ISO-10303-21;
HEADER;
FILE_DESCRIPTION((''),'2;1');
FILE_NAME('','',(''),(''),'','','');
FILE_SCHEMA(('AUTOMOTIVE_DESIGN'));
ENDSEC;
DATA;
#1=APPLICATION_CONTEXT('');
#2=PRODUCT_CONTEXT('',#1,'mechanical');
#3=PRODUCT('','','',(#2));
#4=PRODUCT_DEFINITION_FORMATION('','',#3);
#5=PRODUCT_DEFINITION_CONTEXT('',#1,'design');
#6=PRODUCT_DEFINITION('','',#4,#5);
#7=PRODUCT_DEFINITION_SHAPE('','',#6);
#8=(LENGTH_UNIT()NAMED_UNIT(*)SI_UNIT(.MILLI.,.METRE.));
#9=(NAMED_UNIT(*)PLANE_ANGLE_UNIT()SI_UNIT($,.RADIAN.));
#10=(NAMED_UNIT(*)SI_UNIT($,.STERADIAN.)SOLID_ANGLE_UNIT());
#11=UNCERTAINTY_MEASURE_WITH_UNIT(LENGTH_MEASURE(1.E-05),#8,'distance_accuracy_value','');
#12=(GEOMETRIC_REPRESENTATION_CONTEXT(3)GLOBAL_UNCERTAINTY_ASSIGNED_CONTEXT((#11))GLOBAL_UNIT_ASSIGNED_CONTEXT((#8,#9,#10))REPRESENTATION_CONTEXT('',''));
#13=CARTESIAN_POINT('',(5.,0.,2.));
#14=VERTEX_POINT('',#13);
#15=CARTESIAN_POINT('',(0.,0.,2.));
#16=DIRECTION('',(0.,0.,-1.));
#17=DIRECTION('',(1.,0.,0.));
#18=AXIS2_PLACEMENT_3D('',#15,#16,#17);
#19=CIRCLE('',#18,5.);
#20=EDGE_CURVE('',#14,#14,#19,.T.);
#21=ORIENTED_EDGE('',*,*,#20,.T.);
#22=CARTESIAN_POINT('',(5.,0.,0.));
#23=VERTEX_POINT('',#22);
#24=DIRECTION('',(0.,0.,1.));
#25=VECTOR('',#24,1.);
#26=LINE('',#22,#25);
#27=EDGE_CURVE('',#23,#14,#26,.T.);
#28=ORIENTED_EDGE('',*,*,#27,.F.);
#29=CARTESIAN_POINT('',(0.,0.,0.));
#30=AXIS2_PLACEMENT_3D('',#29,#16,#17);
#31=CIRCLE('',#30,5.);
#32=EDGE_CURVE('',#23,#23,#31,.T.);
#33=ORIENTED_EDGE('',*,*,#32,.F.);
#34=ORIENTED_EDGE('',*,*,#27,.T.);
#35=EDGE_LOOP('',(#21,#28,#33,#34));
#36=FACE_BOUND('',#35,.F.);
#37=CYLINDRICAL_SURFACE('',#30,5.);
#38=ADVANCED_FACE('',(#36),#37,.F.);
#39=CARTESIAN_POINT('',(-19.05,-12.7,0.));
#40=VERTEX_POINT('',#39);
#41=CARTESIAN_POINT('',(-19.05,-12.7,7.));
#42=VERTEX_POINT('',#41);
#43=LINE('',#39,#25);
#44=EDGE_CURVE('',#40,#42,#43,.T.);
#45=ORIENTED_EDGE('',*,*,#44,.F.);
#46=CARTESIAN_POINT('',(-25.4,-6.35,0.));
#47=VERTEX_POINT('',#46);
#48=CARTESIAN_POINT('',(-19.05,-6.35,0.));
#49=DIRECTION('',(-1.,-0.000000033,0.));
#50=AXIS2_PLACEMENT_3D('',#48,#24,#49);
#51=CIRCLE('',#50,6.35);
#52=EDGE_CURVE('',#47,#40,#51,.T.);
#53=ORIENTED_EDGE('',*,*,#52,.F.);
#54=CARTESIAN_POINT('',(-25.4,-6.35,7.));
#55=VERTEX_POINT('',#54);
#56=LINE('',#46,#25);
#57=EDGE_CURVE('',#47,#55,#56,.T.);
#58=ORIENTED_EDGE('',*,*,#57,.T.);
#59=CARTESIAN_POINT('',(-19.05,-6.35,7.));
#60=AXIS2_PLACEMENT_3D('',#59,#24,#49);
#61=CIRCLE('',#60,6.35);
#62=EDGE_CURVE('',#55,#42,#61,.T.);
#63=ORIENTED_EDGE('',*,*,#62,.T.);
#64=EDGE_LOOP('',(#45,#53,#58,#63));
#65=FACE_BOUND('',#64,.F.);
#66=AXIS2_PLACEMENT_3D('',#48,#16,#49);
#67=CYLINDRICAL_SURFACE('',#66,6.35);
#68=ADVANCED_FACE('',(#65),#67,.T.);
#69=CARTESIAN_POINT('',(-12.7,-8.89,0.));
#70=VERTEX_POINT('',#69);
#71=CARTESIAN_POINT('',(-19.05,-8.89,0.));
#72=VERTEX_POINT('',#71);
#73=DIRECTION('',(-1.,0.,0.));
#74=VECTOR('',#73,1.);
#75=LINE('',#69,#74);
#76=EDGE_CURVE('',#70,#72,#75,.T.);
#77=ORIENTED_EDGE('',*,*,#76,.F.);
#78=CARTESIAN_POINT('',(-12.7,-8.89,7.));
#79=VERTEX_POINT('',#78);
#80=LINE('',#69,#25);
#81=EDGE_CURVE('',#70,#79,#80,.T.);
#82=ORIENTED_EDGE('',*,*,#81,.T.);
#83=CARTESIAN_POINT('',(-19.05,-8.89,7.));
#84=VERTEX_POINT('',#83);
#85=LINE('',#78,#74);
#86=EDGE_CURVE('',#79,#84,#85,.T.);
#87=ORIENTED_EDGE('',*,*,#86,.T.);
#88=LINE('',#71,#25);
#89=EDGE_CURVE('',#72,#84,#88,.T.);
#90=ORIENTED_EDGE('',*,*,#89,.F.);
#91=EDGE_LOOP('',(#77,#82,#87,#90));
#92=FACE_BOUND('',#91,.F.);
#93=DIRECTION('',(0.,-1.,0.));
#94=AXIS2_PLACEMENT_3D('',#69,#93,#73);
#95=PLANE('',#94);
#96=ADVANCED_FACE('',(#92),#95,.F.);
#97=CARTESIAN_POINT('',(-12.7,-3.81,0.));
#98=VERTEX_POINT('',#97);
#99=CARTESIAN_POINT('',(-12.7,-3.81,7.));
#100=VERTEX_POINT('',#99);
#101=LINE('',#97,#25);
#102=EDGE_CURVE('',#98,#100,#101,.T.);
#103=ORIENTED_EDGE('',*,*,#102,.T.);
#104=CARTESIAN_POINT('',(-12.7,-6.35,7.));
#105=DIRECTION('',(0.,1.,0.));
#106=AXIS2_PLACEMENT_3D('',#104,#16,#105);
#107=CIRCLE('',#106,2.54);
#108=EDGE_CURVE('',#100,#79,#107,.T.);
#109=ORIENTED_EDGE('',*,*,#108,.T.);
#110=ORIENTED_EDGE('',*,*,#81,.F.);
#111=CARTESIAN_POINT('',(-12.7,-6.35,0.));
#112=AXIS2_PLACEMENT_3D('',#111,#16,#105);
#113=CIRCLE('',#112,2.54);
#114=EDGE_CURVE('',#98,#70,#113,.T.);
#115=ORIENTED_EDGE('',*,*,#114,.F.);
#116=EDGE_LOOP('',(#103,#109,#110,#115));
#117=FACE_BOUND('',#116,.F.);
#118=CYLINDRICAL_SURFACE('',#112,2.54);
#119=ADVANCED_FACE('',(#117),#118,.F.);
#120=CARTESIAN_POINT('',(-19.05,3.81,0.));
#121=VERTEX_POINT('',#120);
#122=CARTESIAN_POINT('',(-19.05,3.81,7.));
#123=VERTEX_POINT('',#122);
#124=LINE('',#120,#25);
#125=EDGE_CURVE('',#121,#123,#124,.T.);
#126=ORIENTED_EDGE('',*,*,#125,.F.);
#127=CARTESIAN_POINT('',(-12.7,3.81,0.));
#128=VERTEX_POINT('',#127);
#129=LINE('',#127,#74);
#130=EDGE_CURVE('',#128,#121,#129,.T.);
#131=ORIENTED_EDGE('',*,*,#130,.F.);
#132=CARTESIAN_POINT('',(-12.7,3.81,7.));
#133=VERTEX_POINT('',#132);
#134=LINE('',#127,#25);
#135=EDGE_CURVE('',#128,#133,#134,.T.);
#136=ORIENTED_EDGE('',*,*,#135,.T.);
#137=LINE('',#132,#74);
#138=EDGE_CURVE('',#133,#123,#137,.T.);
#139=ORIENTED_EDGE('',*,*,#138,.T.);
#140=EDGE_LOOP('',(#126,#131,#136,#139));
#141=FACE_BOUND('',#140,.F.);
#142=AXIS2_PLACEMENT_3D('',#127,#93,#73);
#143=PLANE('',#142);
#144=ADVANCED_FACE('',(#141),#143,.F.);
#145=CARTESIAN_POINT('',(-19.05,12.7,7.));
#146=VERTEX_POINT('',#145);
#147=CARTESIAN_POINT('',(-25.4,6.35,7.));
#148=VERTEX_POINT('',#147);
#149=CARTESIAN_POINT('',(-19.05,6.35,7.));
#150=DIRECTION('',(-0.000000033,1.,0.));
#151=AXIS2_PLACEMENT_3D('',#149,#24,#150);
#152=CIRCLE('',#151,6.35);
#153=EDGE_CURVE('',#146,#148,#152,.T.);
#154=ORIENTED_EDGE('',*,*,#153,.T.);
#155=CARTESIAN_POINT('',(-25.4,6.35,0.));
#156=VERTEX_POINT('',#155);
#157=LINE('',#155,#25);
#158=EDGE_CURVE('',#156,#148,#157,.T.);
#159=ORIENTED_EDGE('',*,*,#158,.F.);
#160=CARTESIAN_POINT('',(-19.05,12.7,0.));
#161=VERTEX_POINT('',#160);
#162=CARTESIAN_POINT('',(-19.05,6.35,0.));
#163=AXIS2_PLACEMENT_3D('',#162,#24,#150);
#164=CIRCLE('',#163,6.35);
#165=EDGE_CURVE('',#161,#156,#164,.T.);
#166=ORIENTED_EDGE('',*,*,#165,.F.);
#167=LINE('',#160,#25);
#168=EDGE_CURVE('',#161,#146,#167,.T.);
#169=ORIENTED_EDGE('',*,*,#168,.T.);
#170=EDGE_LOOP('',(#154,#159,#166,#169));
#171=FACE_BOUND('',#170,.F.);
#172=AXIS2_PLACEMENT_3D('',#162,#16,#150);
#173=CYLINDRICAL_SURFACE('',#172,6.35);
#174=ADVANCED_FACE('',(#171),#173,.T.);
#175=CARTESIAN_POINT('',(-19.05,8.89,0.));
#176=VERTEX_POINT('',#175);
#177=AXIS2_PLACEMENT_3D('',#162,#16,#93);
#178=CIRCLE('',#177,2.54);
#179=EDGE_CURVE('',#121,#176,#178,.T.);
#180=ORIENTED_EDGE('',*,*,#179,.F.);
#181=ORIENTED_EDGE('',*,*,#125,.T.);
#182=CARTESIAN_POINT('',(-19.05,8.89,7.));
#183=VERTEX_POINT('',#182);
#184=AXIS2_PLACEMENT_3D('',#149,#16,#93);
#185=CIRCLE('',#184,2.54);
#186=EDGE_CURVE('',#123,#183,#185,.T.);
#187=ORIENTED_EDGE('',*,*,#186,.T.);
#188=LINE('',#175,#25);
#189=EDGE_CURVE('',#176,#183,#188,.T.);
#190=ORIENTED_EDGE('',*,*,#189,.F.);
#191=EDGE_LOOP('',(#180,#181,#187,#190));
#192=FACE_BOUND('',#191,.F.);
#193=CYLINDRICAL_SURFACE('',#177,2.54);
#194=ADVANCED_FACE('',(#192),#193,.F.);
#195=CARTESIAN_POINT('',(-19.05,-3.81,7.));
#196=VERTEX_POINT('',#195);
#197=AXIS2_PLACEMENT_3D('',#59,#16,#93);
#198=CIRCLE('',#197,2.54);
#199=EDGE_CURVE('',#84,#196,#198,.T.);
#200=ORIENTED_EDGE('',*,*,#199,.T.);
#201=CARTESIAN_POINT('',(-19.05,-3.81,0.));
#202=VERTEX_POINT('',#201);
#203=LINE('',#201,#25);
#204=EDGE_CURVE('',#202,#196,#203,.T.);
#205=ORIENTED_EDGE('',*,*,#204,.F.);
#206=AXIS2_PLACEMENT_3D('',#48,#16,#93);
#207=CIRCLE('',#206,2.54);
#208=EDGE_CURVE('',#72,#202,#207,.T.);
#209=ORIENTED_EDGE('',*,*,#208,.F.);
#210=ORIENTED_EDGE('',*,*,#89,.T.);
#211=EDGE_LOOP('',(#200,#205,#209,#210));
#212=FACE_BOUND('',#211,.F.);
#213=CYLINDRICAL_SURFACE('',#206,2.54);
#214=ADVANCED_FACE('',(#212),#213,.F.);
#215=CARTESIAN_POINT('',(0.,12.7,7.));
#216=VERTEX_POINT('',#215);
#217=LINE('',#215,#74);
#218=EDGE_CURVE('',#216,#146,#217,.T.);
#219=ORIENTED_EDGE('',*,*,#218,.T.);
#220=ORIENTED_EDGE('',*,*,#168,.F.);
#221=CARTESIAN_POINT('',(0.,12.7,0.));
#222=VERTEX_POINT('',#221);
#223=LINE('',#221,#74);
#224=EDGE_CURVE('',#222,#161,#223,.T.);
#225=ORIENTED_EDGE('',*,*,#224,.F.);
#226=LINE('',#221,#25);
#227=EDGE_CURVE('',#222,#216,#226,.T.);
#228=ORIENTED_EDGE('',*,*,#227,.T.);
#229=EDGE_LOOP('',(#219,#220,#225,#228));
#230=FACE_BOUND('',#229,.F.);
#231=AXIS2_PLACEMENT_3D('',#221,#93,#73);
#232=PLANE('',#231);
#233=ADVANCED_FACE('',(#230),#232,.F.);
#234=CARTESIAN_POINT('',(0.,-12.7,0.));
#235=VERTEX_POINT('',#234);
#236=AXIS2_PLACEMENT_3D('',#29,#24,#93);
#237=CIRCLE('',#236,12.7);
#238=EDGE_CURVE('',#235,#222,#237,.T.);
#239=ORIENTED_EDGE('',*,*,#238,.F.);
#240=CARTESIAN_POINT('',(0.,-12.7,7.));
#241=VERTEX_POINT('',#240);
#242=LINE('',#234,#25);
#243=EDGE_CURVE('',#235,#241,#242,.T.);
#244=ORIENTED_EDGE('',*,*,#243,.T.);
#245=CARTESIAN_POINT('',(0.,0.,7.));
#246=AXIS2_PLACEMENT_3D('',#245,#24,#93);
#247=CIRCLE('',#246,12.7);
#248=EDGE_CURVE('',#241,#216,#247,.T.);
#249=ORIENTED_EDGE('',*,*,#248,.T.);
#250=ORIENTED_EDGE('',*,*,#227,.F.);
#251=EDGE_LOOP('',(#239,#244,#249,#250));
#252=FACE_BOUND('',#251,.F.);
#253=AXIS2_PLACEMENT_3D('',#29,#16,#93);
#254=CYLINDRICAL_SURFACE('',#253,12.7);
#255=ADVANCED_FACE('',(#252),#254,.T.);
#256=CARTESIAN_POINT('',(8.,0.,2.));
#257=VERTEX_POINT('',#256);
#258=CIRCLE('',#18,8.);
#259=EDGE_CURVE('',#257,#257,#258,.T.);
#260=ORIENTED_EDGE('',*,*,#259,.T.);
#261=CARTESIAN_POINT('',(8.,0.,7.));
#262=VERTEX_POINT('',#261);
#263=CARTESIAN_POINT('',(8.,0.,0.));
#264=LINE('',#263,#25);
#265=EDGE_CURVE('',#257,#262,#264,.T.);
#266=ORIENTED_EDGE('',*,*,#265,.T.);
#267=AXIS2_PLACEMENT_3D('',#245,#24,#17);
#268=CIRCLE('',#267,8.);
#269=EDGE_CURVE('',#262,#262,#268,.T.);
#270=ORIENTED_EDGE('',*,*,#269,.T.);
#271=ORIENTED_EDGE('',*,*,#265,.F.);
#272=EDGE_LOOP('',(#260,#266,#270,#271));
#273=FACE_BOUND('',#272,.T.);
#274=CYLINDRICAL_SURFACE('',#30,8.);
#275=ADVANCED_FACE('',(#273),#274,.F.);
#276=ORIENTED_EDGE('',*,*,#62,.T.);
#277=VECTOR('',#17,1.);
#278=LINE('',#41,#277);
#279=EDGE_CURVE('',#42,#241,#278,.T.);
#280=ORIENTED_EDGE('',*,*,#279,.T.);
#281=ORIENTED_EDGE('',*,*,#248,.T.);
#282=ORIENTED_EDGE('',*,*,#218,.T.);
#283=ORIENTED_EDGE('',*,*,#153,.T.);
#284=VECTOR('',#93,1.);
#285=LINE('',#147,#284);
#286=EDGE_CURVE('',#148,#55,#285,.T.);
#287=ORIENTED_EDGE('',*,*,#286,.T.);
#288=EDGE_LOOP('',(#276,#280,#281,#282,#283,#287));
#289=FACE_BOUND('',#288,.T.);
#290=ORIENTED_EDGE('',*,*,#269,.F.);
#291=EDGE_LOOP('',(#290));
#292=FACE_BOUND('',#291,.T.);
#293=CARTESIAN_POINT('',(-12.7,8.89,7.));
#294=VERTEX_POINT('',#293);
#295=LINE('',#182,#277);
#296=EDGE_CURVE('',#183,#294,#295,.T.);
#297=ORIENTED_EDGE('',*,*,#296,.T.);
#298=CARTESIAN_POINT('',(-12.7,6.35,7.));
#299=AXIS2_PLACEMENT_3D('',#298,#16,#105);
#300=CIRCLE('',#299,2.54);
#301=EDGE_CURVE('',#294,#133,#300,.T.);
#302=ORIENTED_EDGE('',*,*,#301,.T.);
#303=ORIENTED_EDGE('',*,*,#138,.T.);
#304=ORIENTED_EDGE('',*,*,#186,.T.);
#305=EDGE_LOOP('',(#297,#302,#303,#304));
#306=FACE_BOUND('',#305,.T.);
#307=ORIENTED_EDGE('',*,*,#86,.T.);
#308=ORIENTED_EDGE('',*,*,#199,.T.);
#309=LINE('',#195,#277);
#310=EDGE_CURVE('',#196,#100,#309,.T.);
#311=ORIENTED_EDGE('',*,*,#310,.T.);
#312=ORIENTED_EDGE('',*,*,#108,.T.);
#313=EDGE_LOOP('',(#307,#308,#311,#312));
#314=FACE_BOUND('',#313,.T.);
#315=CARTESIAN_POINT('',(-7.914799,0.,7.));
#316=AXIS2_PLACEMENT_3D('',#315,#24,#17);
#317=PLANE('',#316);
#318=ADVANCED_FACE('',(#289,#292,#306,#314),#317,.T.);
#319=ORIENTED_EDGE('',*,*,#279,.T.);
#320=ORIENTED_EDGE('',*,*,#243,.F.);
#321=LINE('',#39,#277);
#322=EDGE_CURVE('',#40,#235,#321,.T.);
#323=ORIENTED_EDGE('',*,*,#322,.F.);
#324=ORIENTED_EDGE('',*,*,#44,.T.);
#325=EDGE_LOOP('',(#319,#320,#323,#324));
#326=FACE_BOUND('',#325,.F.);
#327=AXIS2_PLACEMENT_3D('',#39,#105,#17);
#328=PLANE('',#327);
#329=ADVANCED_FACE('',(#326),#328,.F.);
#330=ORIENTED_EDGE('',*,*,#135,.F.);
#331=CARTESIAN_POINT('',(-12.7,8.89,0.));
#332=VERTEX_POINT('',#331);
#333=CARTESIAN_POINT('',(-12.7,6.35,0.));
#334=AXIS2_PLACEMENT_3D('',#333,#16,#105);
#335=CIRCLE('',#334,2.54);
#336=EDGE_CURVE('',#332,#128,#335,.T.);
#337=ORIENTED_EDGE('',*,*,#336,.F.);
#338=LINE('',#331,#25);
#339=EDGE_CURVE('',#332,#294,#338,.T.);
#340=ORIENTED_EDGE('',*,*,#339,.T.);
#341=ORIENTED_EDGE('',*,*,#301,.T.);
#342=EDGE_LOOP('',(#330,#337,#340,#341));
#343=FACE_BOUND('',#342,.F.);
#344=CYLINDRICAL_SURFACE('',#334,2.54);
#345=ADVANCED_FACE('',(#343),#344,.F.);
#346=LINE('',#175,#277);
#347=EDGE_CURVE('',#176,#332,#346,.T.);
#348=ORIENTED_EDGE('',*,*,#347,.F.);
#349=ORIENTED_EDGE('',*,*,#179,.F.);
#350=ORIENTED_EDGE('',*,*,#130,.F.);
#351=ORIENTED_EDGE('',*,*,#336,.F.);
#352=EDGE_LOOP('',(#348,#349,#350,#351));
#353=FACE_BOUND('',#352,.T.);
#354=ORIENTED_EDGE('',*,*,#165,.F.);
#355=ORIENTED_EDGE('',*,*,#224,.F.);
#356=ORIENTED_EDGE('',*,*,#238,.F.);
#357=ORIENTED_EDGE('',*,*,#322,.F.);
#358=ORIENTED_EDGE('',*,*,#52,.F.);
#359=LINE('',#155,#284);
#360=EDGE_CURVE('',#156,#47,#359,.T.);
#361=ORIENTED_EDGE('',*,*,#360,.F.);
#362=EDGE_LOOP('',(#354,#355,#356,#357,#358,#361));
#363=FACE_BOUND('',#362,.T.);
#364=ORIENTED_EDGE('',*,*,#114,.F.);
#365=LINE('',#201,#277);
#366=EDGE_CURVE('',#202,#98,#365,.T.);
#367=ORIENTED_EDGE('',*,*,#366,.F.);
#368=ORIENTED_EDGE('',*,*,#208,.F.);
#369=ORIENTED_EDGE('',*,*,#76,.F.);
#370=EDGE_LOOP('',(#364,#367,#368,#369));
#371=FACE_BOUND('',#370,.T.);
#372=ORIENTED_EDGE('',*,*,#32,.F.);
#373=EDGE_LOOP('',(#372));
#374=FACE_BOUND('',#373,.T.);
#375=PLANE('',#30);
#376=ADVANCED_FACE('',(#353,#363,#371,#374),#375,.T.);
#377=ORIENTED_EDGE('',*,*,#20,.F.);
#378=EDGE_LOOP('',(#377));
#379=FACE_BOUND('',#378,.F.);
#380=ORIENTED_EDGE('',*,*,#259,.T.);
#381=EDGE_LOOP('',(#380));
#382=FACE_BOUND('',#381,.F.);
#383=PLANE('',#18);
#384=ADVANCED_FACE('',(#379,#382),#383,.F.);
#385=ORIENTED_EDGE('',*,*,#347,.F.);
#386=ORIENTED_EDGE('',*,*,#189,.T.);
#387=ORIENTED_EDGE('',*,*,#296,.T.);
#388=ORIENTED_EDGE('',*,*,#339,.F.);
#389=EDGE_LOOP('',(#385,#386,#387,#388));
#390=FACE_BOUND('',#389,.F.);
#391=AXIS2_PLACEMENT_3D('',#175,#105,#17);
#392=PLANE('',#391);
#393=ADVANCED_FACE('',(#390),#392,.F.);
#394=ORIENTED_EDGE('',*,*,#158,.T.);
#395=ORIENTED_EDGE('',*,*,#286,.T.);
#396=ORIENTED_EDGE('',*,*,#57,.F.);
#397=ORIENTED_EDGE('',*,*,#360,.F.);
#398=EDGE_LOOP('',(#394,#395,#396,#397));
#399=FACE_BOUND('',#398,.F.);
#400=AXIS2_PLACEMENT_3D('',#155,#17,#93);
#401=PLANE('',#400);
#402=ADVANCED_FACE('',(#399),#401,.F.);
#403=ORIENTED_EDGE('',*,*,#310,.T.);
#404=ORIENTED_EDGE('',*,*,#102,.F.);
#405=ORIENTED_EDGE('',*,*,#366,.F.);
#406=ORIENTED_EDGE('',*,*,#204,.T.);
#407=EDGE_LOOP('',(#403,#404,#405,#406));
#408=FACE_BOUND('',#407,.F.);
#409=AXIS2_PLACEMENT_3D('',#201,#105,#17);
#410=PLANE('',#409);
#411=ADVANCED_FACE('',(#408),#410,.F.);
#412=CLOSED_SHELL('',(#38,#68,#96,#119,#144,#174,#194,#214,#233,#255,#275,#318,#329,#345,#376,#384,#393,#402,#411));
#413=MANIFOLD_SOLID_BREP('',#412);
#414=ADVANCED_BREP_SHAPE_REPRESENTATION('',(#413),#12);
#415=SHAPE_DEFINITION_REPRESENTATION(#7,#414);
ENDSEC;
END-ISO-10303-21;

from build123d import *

# Parameters (mm, degrees)
F0_R     = 8
F1_DEPTH = 7
F2_R     = 8
F2_R_2   = 5
F3_DEPTH = 2


with BuildPart() as f1:
    # F0 (on Top) → F1 (new body)
    with BuildSketch(Plane.XY):
        with BuildLine():
            ThreePointArc((0, -12.7), (12.7, 0), (0, 12.7))
            Line((0, 12.7), (-19.05, 12.7))
            ThreePointArc((-19.05, 12.7), (-23.540128, 10.840128), (-25.4, 6.35))
            Line((-25.4, 6.35), (-25.4, -6.35))
            ThreePointArc((-25.4, -6.35), (-23.540128, -10.840128), (-19.05, -12.7))
            Line((-19.05, -12.7), (0, -12.7))
        make_face()
        with BuildLine():
            Line((-12.7, -8.89), (-19.05, -8.89))
            ThreePointArc((-19.05, -8.89), (-21.59, -6.35), (-19.05, -3.81))
            Line((-19.05, -3.81), (-12.7, -3.81))
            ThreePointArc((-12.7, -3.81), (-10.16, -6.35), (-12.7, -8.89))
        make_face(mode=Mode.SUBTRACT)
        Circle(F0_R, mode=Mode.SUBTRACT)
        with BuildLine():
            Line((-12.7, 3.81), (-19.05, 3.81))
            ThreePointArc((-19.05, 3.81), (-21.59, 6.35), (-19.05, 8.89))
            Line((-19.05, 8.89), (-12.7, 8.89))
            ThreePointArc((-12.7, 8.89), (-10.16, 6.35), (-12.7, 3.81))
        make_face(mode=Mode.SUBTRACT)
    extrude(amount=F1_DEPTH)

    # F2 (on face) → F3 (join)
    with BuildSketch(Plane(origin=(0, 0, 0), x_dir=(1, 0, 0), z_dir=(0, 0, -1))):
        Circle(F2_R)
        Circle(F2_R_2, mode=Mode.SUBTRACT)
    extrude(amount=-F3_DEPTH)


solid = f1.part
